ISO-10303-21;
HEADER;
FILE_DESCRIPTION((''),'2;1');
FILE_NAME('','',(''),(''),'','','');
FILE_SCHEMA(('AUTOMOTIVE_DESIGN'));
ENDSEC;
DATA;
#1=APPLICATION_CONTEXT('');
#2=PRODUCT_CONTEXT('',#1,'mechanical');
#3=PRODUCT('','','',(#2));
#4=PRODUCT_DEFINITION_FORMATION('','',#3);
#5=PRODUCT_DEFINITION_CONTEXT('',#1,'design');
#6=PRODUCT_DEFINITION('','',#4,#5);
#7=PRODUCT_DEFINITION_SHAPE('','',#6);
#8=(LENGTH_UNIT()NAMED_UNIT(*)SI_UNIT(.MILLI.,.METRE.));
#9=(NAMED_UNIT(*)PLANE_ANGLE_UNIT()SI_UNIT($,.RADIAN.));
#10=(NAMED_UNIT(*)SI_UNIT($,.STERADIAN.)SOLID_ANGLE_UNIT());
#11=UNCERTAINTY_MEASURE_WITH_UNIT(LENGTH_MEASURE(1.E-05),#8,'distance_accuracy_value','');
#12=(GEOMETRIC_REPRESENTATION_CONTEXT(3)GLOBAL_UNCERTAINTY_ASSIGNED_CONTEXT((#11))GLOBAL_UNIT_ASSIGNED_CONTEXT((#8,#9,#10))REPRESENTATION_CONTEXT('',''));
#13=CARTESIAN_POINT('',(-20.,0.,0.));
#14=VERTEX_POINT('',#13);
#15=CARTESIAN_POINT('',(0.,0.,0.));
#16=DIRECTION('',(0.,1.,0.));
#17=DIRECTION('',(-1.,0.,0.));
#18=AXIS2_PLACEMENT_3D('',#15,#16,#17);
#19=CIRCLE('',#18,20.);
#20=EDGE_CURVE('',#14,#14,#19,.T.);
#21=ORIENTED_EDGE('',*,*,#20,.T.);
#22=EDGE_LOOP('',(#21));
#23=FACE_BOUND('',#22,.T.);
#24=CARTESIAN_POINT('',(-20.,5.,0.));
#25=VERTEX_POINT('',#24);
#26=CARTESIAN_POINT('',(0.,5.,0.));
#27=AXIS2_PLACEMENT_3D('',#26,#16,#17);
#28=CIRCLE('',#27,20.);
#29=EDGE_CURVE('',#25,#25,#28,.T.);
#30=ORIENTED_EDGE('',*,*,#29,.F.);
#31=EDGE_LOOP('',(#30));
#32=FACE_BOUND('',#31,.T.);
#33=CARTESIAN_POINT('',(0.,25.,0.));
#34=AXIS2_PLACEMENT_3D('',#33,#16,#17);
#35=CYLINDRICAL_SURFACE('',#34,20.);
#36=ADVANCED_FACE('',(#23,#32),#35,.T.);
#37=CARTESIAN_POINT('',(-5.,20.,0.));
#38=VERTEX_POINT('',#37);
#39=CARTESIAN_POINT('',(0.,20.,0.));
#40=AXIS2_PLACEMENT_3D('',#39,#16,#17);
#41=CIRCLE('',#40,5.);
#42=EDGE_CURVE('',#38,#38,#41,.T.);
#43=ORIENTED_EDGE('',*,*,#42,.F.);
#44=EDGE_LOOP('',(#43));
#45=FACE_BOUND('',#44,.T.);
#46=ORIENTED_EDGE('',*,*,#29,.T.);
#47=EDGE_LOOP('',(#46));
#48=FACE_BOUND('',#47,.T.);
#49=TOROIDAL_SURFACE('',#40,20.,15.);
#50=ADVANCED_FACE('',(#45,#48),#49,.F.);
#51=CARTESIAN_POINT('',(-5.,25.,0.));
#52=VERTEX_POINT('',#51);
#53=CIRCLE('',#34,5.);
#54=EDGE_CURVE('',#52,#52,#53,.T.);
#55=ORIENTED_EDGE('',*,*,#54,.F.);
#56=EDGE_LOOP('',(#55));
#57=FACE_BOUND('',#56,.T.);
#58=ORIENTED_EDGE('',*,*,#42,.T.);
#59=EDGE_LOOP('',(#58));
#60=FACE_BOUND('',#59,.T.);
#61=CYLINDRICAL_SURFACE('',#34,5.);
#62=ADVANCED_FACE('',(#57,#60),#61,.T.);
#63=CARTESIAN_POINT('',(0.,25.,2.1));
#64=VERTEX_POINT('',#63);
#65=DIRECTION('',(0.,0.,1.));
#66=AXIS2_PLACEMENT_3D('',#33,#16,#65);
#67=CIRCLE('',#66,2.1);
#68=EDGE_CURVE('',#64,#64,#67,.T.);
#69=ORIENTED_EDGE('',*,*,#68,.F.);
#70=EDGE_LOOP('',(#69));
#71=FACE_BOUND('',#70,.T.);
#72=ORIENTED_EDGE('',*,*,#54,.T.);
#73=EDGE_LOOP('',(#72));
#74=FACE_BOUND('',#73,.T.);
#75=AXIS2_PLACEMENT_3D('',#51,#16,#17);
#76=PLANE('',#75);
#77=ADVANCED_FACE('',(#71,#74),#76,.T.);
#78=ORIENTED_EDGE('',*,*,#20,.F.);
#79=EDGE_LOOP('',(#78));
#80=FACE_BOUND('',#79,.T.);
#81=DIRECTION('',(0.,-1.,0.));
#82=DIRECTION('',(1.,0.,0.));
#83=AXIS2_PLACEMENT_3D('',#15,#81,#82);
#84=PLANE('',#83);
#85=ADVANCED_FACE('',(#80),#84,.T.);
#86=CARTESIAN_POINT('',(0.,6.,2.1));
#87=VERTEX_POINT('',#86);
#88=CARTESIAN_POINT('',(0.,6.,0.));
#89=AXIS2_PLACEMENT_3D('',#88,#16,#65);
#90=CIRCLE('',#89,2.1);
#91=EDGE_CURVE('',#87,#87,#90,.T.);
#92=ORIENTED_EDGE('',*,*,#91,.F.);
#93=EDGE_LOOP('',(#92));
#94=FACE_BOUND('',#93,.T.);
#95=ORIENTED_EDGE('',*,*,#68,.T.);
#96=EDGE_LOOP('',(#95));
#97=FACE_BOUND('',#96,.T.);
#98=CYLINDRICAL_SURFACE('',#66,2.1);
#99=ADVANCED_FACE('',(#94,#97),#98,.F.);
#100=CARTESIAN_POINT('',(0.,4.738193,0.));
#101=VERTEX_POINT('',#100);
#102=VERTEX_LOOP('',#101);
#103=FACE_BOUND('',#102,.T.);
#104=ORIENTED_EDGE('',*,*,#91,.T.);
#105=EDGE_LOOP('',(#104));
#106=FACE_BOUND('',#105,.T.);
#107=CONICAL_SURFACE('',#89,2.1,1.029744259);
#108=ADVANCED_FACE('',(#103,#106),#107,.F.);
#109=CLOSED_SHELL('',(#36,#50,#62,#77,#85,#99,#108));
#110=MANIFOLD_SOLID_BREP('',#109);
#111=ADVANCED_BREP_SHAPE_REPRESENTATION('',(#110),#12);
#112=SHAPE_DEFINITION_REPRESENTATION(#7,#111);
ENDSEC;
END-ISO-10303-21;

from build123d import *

# Parameters (mm, degrees)
M5X0_8_TAPPED_HOLE1_D     = 4.2
M5X0_8_TAPPED_HOLE1_DEPTH = 19
M5X0_8_TAPPED_HOLE1_TIP   = 1.2618073


with BuildPart() as part:
    # Sketch2 → Revolve1 (revolve)
    with BuildSketch(Plane.XY):
        with BuildLine():
            Line((0, 0), (-20, 0))
            Line((-20, 0), (-20, 5))
            ThreePointArc((-20, 5), (-9.393398282, 9.393398282), (-5, 20))
            Line((-5, 20), (-5, 25))
            Line((-5, 25), (0, 25))
            Line((0, 25), (0, 0))
        make_face()
    revolve(axis=Axis((0, 25, 0), (0, -1, 0)))

    # M5x0.8 Tapped Hole1
    with Locations(Plane(origin=(0, 25, 0), x_dir=(1, 0, 0), z_dir=(0, 1, 0))):
        with Locations((0, 0)):
            Hole(M5X0_8_TAPPED_HOLE1_D / 2, depth=M5X0_8_TAPPED_HOLE1_DEPTH)
            with Locations((0, 0, -(M5X0_8_TAPPED_HOLE1_DEPTH + M5X0_8_TAPPED_HOLE1_TIP / 2))):  # 118° drill point
                Cone(0, M5X0_8_TAPPED_HOLE1_D / 2, M5X0_8_TAPPED_HOLE1_TIP, mode=Mode.SUBTRACT)


solid = part.part
